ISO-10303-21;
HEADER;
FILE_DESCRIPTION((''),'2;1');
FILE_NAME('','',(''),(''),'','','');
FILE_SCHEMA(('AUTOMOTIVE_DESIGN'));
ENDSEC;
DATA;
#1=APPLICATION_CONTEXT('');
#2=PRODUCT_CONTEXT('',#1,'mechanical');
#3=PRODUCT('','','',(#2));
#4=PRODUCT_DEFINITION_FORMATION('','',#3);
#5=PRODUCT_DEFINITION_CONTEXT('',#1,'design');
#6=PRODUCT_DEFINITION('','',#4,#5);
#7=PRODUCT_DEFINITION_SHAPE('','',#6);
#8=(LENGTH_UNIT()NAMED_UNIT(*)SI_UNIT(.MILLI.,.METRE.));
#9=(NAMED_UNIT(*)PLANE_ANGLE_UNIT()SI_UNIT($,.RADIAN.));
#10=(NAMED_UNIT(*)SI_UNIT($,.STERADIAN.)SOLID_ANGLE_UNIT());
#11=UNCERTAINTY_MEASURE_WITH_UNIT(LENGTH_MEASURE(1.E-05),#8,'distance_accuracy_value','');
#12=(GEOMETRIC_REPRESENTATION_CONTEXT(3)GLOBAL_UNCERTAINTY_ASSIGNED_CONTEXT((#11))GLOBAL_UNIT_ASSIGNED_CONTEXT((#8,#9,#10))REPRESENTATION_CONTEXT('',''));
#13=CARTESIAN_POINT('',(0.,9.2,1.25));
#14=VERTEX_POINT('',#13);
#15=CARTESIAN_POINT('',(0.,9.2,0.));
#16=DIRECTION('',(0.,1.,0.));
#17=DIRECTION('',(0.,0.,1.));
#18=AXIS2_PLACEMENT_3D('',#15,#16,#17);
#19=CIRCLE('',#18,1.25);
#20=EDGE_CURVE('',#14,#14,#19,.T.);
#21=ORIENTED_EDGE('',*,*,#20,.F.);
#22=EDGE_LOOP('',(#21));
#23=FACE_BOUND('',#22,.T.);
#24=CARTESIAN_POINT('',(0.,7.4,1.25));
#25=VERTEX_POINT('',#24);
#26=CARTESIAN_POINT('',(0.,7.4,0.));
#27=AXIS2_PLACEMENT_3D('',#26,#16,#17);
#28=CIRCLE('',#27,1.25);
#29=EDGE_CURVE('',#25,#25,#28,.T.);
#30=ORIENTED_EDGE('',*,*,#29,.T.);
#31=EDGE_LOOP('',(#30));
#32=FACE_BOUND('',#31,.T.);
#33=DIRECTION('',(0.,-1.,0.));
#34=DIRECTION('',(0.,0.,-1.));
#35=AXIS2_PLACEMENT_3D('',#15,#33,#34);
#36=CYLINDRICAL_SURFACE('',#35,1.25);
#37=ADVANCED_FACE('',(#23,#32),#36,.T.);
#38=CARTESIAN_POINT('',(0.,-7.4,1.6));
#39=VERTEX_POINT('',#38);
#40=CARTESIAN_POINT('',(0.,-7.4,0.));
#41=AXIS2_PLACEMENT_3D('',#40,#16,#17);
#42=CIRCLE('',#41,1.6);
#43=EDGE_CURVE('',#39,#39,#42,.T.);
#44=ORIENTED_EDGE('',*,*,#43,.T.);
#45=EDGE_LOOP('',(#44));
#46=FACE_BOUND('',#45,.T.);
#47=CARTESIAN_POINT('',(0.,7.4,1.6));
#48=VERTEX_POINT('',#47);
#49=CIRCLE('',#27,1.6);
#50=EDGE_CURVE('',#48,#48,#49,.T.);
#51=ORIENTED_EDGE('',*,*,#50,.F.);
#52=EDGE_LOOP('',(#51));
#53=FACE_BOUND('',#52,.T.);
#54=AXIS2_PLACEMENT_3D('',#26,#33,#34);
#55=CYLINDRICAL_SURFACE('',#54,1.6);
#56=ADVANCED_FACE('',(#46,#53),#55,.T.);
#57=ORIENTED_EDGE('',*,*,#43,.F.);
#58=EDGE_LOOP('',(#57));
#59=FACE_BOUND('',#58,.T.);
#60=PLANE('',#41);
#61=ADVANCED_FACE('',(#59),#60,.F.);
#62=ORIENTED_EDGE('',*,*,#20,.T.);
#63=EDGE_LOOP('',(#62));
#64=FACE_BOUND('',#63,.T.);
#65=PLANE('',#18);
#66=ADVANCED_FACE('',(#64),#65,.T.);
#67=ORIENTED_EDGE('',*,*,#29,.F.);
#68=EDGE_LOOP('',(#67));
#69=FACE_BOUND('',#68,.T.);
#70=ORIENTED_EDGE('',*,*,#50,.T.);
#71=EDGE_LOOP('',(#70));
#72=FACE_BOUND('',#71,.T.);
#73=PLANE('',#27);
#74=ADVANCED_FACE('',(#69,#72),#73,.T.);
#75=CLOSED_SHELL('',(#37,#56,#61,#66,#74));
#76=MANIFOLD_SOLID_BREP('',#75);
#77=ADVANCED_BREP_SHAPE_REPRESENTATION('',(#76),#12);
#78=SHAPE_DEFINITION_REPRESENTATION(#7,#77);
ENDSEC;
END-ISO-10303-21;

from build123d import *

# Parameters (mm, degrees)
SKETCH1_R           = 1.6
BOSS_EXTRUDE1_DEPTH = 7.4
SKETCH2_R           = 1.25
BOSS_EXTRUDE2_DEPTH = 1.8


with BuildPart() as part:
    # Sketch1 → Boss-Extrude1 (new body, symmetric)
    with BuildSketch(Plane(origin=(0, 0, 0), x_dir=(1, 0, 0), z_dir=(0, 1, 0))):
        Circle(SKETCH1_R)
    extrude(amount=BOSS_EXTRUDE1_DEPTH, both=True)

    # Sketch2 → Boss-Extrude2 (add)
    with BuildSketch(Plane(origin=(0, 7.4, 0), x_dir=(1, 0, 0), z_dir=(0, 1, 0))):
        Circle(SKETCH2_R)
    extrude(amount=BOSS_EXTRUDE2_DEPTH)


solid = part.part
